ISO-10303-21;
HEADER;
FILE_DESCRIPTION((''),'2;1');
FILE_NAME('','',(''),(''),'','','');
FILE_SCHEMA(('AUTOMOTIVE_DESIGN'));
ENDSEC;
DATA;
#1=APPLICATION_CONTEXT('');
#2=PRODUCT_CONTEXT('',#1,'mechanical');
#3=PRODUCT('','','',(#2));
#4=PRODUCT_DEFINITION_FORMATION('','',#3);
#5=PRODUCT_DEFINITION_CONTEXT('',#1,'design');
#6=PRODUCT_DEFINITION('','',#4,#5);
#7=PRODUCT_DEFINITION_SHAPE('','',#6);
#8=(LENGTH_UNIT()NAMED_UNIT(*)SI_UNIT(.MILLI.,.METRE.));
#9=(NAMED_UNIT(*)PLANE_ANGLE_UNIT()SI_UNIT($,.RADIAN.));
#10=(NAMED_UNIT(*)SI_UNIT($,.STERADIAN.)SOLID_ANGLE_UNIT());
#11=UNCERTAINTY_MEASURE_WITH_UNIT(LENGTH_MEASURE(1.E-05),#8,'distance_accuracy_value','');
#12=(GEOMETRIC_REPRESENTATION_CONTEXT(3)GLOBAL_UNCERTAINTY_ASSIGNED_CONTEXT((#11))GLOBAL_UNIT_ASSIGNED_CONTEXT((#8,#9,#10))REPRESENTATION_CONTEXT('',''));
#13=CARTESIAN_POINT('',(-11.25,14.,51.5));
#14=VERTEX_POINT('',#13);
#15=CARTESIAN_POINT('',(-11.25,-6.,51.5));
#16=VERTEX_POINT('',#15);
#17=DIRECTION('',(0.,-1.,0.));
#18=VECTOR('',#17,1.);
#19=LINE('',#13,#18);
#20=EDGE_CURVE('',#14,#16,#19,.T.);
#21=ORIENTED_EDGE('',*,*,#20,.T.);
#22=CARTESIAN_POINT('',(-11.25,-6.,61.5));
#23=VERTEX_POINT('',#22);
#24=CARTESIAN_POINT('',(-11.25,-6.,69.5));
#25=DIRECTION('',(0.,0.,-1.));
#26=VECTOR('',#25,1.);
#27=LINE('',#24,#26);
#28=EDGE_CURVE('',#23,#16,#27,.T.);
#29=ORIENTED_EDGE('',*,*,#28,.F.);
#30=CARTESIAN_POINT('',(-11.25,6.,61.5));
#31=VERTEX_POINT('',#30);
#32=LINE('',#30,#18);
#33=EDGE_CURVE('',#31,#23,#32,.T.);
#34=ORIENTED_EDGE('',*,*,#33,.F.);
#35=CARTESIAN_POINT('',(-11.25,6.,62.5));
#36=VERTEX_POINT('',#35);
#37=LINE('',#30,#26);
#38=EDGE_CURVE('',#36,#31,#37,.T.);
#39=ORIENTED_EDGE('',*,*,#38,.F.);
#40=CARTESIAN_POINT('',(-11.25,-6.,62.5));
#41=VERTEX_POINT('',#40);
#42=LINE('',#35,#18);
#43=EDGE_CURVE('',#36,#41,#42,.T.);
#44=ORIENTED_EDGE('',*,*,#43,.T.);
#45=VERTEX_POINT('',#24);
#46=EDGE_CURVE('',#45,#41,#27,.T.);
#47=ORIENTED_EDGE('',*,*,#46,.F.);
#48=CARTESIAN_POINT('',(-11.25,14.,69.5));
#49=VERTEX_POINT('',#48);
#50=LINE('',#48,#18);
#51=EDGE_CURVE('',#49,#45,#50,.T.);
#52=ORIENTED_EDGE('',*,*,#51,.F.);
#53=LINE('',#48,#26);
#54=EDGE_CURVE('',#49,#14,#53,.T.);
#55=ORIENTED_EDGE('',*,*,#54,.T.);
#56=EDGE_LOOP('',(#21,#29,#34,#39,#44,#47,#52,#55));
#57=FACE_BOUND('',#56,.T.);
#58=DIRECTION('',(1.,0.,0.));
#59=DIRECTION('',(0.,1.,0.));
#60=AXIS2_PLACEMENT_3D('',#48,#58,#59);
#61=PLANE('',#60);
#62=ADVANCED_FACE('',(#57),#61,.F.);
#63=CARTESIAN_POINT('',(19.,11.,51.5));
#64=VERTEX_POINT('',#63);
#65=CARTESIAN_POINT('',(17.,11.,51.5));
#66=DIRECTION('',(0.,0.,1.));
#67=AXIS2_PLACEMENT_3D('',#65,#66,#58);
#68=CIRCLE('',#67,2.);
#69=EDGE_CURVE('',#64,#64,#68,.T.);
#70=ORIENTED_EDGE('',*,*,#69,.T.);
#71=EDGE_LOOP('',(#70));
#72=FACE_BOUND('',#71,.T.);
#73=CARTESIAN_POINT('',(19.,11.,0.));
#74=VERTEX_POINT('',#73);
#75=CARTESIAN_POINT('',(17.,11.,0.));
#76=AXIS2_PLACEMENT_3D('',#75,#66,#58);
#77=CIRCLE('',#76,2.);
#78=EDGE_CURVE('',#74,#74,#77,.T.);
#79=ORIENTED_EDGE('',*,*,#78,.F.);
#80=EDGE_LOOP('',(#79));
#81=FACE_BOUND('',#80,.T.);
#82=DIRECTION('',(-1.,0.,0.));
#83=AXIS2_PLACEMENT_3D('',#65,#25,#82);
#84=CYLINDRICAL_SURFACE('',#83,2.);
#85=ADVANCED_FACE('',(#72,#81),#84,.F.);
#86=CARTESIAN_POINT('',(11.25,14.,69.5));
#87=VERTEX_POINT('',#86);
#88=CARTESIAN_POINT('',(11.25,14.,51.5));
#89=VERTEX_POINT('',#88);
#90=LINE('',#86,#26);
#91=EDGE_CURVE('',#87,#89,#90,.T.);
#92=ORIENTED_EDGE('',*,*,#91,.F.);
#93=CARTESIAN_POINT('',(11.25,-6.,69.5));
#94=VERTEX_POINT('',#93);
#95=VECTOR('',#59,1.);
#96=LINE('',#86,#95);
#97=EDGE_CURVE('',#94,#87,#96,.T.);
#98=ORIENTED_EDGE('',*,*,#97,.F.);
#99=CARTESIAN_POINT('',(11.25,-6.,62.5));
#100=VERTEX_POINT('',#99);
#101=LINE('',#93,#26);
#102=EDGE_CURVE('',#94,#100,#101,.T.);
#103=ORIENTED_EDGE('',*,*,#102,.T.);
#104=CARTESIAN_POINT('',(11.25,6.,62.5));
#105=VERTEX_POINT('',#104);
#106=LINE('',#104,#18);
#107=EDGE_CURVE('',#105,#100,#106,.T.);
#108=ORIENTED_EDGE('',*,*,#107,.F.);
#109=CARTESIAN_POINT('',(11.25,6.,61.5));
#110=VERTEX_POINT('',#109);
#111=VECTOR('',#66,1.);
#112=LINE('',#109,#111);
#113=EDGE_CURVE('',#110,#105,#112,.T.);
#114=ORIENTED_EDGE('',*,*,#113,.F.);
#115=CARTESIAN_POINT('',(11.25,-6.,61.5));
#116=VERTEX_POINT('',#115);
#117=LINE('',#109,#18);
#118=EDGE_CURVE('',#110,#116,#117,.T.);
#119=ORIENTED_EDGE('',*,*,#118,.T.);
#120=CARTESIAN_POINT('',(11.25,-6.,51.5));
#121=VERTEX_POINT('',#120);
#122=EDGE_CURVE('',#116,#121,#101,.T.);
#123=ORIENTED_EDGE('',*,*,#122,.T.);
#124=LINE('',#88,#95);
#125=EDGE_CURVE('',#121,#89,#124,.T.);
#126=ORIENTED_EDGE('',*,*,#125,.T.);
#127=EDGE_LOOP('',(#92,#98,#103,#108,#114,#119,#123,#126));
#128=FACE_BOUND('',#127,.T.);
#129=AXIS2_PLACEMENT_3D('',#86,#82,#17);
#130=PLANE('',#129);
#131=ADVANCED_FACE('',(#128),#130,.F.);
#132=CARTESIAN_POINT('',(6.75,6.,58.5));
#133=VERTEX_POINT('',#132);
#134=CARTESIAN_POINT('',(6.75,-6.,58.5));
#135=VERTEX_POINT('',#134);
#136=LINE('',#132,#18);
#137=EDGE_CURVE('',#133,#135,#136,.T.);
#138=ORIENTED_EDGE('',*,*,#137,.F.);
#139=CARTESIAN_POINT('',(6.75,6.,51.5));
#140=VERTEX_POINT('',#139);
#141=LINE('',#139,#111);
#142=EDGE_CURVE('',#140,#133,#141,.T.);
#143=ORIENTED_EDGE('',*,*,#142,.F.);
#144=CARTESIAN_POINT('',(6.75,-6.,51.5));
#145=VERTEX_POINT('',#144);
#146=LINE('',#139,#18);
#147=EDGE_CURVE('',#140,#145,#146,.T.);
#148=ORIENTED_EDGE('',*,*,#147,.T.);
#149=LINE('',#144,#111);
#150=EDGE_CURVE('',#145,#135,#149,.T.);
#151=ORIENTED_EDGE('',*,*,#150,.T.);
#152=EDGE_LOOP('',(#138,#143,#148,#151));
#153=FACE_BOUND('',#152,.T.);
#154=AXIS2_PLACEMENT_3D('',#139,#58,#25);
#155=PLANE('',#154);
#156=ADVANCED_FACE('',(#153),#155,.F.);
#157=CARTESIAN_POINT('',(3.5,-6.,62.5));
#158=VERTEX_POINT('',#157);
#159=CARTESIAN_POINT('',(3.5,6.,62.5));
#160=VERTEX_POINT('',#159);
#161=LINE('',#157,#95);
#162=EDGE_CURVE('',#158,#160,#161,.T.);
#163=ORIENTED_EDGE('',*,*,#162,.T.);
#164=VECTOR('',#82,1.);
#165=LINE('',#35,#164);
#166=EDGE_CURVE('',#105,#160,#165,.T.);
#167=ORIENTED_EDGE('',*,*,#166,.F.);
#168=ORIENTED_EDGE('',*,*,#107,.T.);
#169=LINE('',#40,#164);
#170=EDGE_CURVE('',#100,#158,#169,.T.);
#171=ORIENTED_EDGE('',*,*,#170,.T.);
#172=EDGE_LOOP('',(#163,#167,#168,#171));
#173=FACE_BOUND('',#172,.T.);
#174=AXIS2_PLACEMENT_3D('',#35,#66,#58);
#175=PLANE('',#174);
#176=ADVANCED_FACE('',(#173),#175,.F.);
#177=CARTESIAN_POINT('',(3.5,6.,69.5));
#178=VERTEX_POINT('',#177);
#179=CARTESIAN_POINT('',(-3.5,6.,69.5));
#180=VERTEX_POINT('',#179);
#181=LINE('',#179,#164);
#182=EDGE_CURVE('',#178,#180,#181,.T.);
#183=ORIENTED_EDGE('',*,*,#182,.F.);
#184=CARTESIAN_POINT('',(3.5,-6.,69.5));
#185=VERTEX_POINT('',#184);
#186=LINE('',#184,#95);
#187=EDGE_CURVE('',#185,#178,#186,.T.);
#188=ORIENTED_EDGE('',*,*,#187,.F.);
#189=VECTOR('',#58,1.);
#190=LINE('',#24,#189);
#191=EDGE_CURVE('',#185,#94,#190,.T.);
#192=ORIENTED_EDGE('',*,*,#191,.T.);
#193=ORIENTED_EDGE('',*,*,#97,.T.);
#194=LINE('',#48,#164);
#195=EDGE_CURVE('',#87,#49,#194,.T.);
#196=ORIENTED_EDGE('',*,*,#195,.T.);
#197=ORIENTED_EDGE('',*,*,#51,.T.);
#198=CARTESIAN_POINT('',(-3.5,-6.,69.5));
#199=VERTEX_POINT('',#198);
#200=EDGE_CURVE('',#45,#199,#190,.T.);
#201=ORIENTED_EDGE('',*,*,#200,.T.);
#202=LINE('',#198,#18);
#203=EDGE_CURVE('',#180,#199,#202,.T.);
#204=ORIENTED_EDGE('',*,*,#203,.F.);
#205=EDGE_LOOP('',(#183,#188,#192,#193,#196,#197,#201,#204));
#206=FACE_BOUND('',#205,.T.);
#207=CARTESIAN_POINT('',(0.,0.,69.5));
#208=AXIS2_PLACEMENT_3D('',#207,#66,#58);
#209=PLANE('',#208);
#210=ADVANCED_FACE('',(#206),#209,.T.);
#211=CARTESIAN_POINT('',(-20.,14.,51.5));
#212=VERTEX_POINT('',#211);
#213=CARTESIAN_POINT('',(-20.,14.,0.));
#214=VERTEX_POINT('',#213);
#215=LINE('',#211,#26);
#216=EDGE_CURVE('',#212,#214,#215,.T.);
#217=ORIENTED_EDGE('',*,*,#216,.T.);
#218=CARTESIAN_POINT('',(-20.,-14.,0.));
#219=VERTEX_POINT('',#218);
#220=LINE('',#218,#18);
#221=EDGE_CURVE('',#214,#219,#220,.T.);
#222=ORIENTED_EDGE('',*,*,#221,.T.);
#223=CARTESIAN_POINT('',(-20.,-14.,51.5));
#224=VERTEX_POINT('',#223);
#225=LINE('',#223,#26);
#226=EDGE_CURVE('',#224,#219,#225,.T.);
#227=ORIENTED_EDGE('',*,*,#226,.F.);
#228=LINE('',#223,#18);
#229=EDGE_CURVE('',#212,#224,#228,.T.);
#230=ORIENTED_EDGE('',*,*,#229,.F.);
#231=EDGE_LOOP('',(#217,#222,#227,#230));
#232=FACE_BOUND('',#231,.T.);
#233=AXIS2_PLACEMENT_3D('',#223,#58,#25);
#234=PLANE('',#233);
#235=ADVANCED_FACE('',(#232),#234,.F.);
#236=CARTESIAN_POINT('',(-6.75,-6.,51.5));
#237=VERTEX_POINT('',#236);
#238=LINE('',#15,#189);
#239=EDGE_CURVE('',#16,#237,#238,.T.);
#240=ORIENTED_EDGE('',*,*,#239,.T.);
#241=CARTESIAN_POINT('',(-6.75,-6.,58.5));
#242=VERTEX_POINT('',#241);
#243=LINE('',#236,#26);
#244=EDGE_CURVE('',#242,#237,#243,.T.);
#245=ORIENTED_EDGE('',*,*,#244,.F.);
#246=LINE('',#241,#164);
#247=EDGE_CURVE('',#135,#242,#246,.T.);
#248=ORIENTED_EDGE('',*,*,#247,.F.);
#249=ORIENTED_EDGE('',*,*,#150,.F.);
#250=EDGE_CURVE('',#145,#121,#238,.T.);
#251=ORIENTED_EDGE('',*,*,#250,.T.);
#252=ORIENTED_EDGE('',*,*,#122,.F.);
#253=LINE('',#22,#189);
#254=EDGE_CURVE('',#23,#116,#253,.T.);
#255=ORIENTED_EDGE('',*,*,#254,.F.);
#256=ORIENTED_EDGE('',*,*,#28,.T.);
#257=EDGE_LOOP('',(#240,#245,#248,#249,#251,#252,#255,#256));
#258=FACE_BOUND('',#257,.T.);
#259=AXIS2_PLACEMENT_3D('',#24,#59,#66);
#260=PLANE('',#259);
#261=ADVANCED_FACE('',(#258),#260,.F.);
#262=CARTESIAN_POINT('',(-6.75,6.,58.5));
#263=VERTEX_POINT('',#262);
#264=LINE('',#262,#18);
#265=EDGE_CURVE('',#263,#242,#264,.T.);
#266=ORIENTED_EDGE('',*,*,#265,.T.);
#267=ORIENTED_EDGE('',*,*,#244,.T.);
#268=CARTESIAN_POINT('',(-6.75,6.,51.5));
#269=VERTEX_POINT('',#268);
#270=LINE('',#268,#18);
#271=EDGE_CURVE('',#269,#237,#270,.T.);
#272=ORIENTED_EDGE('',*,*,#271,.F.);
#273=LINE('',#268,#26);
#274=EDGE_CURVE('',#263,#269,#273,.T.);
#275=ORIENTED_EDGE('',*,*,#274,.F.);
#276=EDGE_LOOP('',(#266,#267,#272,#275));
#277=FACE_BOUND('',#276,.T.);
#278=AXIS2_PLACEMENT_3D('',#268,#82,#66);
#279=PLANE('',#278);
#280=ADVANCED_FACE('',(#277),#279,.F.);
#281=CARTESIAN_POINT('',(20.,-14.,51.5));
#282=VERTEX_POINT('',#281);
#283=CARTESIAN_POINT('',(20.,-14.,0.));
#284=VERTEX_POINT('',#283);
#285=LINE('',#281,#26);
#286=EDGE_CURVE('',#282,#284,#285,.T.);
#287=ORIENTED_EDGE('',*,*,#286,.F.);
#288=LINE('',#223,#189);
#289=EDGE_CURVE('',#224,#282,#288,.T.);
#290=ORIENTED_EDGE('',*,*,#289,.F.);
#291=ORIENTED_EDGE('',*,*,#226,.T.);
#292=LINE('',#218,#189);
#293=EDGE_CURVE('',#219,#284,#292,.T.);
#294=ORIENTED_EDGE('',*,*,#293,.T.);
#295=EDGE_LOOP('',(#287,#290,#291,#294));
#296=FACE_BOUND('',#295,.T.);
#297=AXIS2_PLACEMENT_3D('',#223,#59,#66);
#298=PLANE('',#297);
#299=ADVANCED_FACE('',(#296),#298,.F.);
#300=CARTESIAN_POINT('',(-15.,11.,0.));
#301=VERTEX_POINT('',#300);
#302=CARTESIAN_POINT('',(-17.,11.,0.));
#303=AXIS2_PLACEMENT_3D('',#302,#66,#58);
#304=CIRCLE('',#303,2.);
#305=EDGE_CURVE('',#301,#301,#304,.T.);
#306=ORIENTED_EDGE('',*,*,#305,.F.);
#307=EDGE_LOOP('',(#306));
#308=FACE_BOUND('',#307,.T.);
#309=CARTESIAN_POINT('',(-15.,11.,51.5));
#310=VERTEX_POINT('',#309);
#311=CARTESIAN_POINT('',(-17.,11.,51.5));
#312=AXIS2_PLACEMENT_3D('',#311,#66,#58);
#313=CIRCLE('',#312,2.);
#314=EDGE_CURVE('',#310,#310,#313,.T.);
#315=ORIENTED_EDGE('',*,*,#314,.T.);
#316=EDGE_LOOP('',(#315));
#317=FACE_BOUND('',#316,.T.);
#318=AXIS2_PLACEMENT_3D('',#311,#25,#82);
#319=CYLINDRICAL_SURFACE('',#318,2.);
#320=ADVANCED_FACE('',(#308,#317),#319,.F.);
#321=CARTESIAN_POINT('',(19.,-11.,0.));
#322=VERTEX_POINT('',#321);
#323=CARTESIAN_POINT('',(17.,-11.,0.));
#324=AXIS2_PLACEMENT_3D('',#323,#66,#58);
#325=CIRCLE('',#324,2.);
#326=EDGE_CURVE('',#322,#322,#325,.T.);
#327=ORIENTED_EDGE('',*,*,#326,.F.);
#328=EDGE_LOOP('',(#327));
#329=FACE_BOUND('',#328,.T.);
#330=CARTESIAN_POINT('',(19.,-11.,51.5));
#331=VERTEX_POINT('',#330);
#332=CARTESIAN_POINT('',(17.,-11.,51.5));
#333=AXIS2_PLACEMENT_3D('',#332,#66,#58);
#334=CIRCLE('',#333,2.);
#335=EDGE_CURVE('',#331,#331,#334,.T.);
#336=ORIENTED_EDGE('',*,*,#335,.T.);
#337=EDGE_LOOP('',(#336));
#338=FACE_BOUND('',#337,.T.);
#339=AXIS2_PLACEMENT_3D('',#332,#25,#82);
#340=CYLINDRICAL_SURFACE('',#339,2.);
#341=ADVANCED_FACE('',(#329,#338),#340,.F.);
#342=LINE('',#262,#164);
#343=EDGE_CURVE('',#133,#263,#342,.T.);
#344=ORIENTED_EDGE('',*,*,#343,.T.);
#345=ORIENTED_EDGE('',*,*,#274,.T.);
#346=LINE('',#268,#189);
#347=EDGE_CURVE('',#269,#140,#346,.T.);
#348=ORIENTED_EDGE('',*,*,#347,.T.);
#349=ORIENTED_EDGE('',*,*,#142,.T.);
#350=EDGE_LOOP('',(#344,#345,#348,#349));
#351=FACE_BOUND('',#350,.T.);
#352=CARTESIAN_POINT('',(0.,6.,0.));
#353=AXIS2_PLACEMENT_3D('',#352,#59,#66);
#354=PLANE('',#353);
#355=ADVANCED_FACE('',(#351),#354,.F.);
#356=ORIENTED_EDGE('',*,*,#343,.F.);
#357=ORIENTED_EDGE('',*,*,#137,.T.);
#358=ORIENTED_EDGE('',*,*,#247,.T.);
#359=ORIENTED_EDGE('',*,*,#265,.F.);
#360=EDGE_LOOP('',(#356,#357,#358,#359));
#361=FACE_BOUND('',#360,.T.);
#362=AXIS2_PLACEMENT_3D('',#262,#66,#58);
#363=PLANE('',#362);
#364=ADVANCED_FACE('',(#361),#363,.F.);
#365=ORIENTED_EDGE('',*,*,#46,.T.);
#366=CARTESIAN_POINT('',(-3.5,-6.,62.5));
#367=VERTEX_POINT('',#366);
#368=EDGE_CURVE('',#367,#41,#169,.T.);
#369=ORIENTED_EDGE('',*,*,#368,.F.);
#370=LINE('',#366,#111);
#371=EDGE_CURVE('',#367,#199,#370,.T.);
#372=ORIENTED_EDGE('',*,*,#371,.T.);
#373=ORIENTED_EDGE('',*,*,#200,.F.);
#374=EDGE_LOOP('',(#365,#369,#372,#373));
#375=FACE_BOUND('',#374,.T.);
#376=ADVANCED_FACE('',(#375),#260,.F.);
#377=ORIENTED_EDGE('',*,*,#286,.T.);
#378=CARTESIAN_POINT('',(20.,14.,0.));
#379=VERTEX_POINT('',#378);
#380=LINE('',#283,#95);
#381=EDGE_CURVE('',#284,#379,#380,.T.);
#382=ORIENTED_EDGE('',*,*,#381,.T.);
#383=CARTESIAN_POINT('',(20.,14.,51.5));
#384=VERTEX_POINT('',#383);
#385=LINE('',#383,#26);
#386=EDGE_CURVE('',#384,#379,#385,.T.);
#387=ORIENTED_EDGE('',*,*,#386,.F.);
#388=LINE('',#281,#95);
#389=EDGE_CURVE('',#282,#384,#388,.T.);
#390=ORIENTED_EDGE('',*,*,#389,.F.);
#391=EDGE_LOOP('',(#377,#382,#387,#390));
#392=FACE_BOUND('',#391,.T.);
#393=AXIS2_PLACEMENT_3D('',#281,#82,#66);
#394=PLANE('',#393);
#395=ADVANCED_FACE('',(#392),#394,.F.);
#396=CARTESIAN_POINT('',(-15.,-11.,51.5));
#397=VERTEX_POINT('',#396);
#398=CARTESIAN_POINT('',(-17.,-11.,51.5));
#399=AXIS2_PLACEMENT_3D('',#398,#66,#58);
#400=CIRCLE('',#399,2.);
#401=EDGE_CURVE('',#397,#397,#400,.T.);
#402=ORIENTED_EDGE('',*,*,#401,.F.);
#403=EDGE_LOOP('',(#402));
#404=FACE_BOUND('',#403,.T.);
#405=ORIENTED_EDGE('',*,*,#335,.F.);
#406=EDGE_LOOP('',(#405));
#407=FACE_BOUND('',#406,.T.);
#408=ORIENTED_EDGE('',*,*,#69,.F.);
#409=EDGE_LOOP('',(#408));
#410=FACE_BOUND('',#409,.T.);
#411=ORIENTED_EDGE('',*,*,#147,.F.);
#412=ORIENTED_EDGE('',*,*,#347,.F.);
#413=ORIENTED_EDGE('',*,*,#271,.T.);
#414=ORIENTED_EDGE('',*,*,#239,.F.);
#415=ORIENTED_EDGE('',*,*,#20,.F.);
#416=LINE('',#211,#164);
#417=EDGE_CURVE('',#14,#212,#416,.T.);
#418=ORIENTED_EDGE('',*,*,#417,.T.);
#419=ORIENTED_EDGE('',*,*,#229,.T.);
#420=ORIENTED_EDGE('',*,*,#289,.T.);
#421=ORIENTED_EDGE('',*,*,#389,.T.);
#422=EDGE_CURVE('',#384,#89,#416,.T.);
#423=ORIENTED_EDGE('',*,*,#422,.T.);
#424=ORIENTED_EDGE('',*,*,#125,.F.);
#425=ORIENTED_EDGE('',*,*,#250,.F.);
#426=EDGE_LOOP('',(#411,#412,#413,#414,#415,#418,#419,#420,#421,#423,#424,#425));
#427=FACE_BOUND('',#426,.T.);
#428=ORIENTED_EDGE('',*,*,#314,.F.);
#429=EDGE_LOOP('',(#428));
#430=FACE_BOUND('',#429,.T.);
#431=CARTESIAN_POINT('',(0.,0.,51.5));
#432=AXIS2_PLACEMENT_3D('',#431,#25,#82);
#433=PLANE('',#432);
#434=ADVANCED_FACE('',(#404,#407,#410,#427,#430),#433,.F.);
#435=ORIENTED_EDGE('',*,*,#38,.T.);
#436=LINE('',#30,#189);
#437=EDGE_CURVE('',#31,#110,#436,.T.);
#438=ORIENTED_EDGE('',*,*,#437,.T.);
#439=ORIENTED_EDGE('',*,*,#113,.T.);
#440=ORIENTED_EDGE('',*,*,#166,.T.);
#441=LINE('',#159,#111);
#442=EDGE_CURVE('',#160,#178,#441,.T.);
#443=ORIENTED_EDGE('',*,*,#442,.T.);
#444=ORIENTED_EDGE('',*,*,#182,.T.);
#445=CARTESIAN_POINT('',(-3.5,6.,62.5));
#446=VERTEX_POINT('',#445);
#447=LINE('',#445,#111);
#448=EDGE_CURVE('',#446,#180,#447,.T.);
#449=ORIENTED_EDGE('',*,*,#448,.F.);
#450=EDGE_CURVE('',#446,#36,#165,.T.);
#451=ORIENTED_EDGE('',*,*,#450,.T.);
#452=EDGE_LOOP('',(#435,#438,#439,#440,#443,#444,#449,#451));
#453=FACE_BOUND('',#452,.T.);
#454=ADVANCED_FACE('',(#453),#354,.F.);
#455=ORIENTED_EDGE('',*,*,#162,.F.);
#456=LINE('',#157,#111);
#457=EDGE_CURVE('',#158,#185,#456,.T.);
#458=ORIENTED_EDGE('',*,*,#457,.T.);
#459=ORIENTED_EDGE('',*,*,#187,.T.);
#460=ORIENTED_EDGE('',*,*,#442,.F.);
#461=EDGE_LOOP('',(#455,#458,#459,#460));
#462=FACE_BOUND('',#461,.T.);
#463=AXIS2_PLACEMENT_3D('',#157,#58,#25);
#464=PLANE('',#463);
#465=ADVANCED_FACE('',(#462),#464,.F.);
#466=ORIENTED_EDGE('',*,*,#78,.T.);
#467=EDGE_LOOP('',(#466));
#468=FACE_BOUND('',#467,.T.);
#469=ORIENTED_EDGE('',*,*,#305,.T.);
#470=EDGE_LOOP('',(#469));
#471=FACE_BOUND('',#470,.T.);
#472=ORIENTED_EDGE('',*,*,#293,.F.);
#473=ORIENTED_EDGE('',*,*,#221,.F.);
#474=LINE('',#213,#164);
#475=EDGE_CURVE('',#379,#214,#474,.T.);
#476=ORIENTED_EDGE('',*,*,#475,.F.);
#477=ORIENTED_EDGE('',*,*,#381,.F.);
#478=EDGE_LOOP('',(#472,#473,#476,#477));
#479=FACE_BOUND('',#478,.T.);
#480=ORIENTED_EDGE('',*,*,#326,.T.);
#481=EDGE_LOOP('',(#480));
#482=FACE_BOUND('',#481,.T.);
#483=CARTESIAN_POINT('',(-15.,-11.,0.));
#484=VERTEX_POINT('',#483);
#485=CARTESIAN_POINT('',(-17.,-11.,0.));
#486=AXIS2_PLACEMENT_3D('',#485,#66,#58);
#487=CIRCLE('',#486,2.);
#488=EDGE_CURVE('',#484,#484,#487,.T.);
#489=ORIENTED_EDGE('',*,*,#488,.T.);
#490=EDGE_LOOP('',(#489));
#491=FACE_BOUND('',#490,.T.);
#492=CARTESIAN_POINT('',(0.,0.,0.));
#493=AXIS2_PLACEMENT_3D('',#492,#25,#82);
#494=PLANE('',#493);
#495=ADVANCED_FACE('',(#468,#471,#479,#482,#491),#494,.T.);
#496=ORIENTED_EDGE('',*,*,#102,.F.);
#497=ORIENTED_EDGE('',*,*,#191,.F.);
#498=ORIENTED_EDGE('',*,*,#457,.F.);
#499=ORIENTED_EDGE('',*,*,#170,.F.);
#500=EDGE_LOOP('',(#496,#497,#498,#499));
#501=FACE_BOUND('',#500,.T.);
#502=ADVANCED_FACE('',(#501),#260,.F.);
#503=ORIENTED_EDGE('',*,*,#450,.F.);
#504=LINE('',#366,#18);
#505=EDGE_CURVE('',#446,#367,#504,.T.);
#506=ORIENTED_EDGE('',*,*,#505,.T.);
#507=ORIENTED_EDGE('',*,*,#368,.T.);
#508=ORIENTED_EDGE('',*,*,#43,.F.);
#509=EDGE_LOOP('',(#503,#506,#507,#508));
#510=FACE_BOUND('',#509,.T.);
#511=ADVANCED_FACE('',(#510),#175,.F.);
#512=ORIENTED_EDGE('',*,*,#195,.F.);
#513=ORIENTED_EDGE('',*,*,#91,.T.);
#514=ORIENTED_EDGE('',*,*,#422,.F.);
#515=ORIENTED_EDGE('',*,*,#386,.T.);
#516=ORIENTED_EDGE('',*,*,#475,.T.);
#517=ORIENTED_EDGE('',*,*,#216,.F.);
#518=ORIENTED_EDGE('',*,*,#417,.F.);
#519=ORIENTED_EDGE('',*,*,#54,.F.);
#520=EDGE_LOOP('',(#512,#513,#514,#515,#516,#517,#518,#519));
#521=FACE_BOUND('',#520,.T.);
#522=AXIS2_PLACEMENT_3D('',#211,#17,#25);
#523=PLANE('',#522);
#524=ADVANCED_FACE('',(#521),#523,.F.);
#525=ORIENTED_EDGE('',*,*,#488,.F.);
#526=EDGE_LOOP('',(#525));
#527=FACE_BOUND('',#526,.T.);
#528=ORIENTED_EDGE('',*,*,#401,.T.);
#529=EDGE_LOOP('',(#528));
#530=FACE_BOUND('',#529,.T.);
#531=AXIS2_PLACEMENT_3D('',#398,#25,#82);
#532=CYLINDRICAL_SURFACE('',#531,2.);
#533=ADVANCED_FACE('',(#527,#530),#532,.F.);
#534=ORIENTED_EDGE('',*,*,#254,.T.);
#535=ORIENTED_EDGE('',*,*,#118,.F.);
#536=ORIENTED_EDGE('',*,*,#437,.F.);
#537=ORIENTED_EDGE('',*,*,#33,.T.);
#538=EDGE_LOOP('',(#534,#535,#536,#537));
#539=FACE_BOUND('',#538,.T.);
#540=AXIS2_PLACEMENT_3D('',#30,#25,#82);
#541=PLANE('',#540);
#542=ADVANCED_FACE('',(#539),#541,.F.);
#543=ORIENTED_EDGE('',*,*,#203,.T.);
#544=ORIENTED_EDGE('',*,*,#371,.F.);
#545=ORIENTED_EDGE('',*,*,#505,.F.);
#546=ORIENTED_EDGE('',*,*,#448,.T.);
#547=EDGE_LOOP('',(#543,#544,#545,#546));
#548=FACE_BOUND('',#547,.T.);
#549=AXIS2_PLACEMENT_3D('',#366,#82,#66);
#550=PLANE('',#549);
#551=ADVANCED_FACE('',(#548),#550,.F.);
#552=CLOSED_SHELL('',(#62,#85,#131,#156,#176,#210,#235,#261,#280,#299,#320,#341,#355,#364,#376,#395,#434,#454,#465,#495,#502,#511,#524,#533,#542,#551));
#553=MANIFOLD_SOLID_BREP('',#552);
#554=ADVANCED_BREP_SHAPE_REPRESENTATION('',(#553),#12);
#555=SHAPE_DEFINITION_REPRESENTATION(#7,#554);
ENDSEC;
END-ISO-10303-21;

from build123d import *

# Parameters (mm, degrees)
SKETCH_1_W          = 40
SKETCH_1_H          = 28
SKETCH_1_R          = 2
EXTRUDE_1_DEPTH     = 51.5
SKETCH_2_W          = 22.5
SKETCH_2_H          = 20
EXTRUDE_2_DEPTH     = 18
SKETCH_3_W          = 13.5
SKETCH_3_H          = 7
CUT_EXTRUDE_1_DEPTH = 12
SKETCH_4_W          = 22.5
SKETCH_4_H          = 1
CUT_EXTRUDE_2_DEPTH = 12
SKETCH_5_W          = 7
SKETCH_5_H          = 12
CUT_EXTRUDE_3_DEPTH = 7


with BuildPart() as part:
    # 草图1 → 凸台-拉伸1 (new body)
    with BuildSketch(Plane.XY):
        Rectangle(SKETCH_1_W, SKETCH_1_H)
        with Locations((-17, 11)):
            Circle(SKETCH_1_R, mode=Mode.SUBTRACT)
        with Locations((17, 11)):
            Circle(SKETCH_1_R, mode=Mode.SUBTRACT)
        with Locations((-17, -11)):
            Circle(SKETCH_1_R, mode=Mode.SUBTRACT)
        with Locations((17, -11)):
            Circle(SKETCH_1_R, mode=Mode.SUBTRACT)
    extrude(amount=EXTRUDE_1_DEPTH)

    # 草图2 → 凸台-拉伸2 (add)
    with BuildSketch(Plane.XY.offset(51.5)):
        with Locations((0, 4)):
            Rectangle(SKETCH_2_W, SKETCH_2_H)
    extrude(amount=EXTRUDE_2_DEPTH)

    # 草图3 → 切除-拉伸1 (cut)
    with BuildSketch(Plane.XZ.offset(6)):
        with Locations((0, 55)):
            Rectangle(SKETCH_3_W, SKETCH_3_H)
    extrude(amount=-CUT_EXTRUDE_1_DEPTH, mode=Mode.SUBTRACT)

    # 草图4 → 切除-拉伸2 (cut)
    with BuildSketch(Plane.XZ.offset(6)):
        with Locations((0, 62)):
            Rectangle(SKETCH_4_W, SKETCH_4_H)
    extrude(amount=-CUT_EXTRUDE_2_DEPTH, mode=Mode.SUBTRACT)

    # 草图5 → 切除-拉伸3 (cut)
    with BuildSketch(Plane.XY.offset(69.5)):
        Rectangle(SKETCH_5_W, SKETCH_5_H)
    extrude(amount=-CUT_EXTRUDE_3_DEPTH, mode=Mode.SUBTRACT)


solid = part.part
